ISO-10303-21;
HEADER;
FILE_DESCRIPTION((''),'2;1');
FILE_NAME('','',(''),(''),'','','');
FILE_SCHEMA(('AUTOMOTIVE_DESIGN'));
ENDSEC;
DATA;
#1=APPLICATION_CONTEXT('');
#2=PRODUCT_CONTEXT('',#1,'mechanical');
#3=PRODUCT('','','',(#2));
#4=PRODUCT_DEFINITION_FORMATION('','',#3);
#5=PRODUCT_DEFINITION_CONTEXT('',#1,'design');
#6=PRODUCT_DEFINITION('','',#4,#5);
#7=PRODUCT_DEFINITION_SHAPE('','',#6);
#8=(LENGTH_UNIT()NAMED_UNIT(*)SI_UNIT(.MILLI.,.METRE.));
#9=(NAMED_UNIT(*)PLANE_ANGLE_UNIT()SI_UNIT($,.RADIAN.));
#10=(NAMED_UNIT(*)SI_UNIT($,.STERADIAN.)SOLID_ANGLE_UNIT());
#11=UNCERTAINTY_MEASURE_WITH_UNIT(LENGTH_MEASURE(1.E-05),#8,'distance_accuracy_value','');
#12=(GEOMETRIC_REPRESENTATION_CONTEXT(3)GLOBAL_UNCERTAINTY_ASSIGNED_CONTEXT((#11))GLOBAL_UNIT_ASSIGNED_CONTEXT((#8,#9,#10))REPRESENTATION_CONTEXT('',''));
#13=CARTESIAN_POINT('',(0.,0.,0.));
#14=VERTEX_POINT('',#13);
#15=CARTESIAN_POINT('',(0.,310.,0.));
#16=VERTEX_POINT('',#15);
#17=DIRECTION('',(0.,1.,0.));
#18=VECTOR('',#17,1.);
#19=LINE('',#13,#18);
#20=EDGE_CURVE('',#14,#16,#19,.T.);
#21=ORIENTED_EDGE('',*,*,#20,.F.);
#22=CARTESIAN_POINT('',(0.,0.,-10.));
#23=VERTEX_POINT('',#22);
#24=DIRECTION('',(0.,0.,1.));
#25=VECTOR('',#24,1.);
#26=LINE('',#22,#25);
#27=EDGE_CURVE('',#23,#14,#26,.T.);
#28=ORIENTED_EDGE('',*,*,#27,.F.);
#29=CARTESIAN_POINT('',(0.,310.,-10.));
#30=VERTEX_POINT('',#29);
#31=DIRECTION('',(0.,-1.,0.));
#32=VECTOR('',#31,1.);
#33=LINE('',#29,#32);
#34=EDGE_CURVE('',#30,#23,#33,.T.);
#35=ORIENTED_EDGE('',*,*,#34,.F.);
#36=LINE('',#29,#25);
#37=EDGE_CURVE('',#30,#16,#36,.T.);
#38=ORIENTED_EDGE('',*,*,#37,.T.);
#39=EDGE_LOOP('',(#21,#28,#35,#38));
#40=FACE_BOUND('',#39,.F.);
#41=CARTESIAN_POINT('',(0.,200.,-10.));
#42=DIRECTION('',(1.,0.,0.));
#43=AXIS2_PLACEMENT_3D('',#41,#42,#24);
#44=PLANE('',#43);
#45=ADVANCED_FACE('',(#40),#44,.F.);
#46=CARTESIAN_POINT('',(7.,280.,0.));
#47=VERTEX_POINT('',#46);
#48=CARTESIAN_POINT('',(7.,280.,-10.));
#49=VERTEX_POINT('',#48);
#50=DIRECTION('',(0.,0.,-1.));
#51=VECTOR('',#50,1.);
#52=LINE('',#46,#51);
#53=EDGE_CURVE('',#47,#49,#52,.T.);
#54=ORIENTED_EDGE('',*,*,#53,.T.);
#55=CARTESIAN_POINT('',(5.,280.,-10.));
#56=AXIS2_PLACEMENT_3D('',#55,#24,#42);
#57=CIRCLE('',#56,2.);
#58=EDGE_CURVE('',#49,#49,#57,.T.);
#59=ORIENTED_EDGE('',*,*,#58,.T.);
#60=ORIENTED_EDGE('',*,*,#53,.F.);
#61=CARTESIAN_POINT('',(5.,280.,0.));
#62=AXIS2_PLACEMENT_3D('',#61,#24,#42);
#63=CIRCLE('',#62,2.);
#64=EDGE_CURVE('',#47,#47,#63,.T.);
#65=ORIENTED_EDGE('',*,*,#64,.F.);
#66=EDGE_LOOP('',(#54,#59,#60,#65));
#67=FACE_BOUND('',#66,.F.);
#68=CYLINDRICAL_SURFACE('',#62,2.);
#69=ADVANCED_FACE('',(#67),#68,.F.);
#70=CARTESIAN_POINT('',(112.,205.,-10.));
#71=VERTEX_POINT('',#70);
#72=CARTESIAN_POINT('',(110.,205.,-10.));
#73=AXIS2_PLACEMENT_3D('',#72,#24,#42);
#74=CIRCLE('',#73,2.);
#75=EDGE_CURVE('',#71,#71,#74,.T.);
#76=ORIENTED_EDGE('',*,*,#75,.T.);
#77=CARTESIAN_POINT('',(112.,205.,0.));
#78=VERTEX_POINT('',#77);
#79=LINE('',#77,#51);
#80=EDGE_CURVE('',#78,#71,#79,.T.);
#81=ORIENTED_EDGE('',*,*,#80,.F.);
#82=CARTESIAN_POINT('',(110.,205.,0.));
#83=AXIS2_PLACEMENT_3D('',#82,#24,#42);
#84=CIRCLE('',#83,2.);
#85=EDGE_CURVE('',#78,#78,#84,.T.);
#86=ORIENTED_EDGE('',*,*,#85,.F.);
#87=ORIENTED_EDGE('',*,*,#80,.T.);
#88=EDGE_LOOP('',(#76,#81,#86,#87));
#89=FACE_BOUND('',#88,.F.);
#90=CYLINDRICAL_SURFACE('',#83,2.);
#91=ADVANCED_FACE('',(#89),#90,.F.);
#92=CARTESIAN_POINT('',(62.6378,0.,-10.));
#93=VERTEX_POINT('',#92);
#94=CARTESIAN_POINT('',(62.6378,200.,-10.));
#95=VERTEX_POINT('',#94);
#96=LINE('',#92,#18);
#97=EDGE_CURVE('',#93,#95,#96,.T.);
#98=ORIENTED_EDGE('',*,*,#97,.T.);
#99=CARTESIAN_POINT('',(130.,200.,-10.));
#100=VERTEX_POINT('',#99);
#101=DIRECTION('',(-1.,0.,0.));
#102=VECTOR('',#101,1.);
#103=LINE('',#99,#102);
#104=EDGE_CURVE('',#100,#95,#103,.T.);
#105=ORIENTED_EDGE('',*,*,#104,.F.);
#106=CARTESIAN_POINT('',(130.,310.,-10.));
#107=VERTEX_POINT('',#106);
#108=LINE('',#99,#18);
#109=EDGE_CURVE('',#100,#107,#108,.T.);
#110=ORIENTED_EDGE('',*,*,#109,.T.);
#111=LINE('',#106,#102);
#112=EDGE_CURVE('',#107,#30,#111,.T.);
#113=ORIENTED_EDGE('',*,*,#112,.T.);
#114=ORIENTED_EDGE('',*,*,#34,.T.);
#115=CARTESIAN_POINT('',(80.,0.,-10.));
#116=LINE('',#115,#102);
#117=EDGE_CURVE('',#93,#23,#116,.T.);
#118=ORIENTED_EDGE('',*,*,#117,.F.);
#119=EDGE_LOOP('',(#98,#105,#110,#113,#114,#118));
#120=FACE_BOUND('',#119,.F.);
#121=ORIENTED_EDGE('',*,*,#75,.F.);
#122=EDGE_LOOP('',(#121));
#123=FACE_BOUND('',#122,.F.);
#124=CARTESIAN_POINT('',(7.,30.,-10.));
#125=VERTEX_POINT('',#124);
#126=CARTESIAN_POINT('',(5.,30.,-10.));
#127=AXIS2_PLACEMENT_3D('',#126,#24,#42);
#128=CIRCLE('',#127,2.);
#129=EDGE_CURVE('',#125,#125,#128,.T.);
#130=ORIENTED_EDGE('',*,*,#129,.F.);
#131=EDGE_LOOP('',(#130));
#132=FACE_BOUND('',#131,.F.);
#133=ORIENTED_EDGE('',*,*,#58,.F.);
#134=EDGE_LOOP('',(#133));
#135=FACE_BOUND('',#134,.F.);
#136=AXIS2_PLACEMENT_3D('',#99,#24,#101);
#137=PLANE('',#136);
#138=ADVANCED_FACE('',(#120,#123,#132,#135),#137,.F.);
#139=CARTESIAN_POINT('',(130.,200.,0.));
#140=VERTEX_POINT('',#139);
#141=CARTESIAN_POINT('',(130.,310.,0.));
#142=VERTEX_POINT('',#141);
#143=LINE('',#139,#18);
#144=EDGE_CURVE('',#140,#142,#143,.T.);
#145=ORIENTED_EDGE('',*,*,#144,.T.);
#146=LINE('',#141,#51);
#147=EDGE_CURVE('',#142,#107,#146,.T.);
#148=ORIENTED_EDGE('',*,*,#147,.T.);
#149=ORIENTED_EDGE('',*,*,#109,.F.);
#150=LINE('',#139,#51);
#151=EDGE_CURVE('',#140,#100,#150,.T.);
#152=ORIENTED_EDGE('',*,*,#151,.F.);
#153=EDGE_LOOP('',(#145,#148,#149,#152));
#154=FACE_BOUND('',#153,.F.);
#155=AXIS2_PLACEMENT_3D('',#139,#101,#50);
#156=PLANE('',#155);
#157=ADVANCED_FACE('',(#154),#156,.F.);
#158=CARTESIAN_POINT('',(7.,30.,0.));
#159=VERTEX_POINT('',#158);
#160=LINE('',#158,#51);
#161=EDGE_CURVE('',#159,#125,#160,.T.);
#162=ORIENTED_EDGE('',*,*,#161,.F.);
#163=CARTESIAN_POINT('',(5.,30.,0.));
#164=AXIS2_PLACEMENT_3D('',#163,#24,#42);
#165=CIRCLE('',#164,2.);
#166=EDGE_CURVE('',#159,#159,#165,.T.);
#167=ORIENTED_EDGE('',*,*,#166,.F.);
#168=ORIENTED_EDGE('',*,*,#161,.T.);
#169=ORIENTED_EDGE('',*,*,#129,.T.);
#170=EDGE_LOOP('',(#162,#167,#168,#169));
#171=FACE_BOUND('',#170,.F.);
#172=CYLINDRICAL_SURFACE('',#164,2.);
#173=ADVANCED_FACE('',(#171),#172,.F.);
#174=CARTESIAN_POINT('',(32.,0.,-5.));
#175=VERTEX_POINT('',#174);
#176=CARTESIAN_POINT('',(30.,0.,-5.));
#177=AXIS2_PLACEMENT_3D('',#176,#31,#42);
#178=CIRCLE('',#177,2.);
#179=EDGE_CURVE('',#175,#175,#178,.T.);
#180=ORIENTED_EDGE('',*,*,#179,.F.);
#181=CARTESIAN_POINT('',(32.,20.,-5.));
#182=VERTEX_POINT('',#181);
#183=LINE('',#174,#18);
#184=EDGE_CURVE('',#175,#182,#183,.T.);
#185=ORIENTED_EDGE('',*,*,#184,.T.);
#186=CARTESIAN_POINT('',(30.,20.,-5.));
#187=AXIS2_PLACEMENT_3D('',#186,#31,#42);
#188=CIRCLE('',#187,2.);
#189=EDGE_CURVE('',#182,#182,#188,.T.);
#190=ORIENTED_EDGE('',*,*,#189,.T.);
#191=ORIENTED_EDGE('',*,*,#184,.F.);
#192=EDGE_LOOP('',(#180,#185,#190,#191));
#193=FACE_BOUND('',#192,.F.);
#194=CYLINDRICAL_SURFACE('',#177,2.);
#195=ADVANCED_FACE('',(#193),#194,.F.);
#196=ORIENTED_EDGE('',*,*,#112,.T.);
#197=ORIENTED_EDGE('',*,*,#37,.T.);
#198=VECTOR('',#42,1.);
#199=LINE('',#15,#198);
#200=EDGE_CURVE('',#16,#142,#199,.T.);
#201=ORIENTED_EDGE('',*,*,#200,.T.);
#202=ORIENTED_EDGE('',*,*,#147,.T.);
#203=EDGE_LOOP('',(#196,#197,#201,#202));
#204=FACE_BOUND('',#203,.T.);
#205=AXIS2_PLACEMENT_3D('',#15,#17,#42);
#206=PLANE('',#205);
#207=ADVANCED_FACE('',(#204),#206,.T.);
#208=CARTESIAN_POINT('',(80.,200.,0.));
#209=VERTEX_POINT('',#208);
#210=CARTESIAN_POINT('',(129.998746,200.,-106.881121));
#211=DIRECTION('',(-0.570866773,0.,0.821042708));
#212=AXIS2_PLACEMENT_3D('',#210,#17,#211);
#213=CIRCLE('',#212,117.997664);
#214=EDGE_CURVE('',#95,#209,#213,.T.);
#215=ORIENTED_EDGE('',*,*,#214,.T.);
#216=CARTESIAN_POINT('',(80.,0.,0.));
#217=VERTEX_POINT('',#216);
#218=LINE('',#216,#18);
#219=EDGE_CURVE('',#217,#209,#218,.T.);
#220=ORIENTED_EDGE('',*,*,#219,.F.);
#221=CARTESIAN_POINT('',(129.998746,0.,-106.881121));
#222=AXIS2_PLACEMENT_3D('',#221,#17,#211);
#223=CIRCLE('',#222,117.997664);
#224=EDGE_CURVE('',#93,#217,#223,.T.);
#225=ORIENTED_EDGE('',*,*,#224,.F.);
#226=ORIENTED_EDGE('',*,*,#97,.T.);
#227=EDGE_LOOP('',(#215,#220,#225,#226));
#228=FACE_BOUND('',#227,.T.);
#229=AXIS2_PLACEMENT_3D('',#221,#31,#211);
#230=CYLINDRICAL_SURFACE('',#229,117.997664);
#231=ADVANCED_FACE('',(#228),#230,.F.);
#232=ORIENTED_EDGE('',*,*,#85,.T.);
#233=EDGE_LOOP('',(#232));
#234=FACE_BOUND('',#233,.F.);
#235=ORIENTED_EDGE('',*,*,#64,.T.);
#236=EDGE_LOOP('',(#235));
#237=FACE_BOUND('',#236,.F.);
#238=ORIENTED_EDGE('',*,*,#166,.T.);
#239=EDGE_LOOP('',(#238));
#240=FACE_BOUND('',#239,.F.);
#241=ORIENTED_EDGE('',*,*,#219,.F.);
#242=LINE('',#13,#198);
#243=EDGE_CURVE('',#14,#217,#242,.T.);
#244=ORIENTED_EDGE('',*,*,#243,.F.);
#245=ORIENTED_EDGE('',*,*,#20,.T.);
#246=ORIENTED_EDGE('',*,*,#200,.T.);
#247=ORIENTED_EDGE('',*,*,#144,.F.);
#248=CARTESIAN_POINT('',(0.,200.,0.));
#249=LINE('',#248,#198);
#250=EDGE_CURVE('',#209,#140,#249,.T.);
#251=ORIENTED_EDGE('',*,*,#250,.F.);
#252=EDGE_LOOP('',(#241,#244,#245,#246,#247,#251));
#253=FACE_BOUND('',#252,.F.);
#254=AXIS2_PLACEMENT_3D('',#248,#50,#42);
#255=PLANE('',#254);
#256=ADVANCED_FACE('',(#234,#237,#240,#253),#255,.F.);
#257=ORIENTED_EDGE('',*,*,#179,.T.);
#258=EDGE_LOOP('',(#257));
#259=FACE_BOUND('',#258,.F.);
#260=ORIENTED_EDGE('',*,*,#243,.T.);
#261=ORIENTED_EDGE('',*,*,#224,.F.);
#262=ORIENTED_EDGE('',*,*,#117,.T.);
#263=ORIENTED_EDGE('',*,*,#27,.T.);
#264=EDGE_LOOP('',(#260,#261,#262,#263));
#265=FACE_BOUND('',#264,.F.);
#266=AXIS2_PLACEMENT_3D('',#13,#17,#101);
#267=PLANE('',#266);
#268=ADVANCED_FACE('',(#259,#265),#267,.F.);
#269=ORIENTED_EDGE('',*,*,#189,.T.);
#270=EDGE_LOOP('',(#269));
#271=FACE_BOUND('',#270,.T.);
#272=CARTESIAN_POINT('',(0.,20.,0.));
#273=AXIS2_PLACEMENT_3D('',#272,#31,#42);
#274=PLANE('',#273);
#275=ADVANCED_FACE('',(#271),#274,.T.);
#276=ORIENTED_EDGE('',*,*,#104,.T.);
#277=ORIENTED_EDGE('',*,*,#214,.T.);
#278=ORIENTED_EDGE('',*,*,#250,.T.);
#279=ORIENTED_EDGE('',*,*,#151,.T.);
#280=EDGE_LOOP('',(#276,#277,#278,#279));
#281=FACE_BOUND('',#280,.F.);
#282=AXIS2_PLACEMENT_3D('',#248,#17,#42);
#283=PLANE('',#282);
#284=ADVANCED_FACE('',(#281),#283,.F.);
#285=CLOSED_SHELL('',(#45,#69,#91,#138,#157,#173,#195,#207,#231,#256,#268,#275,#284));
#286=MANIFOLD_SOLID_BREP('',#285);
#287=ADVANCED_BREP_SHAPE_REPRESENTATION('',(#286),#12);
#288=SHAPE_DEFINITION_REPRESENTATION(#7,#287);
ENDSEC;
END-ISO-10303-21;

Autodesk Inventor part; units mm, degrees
ref_plane "YZ Plane" through (0, 0, 0) normal (1, 0, 0) x (0, 1, 0)
ref_plane "XZ Plane" through (0, 0, 0) normal (0, 1, 0) x (-1, 0, 0)
ref_plane "XY Plane" through (0, 0, 0) normal (0, 0, 1) x (1, 0, 0)
sketch "Sketch1" plane through (0, 0, 0) normal (0, 1, 0) x (-1, 0, 0)
  line L0 (0, 0) -> (-80, 0)
  line L1 (-80, 0) -> (-80, -10)
  line L2 (-80, -10) -> (0, -10)
  line L3 (0, -10) -> (0, 0)
  arc A0 (-62.6378, -10) -> (-80, 0) centre (-130, -106.8831) ccw
  dimension "d1" = 10
  dimension "d2" = 118
  dimension "d3" = 80
  dimension "d4" = 50
extrude "Extrusion1" add sketch "Sketch1" along normal blind 200 contours L3 L2 A0 L0
sketch "Sketch4" plane through (0, 200, 0) normal (0, 1, 0) x (1, 0, 0)
  line L0 (0, 0) -> (130, 0)
  line L1 (130, 0) -> (130, 10)
  line L2 (130, 10) -> (0, 10)
  line L3 (0, 10) -> (0, 0)
  dimension "d24" = 130
  dimension "d25" = 10
sketch "Sketch3" plane through (0, 0, 0) normal (0, -1, 0) x (1, 0, 0)
  circle A0 centre (30, -5) radius 2
  line L0 (0, 0) -> (80, 0) projected
  line L1 (0, -10) -> (0, 0) projected
  dimension "d19" = 4
  dimension "d20" = 5
  dimension "d21" = 30
extrude "Extrusion3" cut sketch "Sketch3" against normal blind 20
sketch "Sketch2" plane through (0, 0, 0) normal (0, 0, 1) x (1, 0, 0)
  circle A0 centre (5, 30) radius 2
  line L0 (0, 0) -> (0, 200) projected
  line L1 (0, 0) -> (80, 0) projected
  circle A1 centre (5, 280) radius 2
  dimension "d7" = 4
  dimension "d8" = 5
  dimension "d9" = 30
  dimension "d12" = 250
extrude "Extrusion4" add sketch "Sketch4" along normal blind 110
extrude "Extrusion5" cut sketch "Sketch2" against normal through all
sketch "Sketch5" plane through (0, 0, 0) normal (0, 0, 1) x (1, 0, 0)
  circle A0 centre (110, 205) radius 2
  line L0 (130, 200) -> (130, 310) projected
  line L1 (80, 200) -> (130, 200) projected
  point P0 (0, 0)
  dimension "d30" = 4
  dimension "d31" = 20
  dimension "d32" = 5
extrude "Extrusion6" cut sketch "Sketch5" against normal through all
equation "\"d30\" = screws"
equation "\"screws\" = 4"
properties part number "box_front_left"
